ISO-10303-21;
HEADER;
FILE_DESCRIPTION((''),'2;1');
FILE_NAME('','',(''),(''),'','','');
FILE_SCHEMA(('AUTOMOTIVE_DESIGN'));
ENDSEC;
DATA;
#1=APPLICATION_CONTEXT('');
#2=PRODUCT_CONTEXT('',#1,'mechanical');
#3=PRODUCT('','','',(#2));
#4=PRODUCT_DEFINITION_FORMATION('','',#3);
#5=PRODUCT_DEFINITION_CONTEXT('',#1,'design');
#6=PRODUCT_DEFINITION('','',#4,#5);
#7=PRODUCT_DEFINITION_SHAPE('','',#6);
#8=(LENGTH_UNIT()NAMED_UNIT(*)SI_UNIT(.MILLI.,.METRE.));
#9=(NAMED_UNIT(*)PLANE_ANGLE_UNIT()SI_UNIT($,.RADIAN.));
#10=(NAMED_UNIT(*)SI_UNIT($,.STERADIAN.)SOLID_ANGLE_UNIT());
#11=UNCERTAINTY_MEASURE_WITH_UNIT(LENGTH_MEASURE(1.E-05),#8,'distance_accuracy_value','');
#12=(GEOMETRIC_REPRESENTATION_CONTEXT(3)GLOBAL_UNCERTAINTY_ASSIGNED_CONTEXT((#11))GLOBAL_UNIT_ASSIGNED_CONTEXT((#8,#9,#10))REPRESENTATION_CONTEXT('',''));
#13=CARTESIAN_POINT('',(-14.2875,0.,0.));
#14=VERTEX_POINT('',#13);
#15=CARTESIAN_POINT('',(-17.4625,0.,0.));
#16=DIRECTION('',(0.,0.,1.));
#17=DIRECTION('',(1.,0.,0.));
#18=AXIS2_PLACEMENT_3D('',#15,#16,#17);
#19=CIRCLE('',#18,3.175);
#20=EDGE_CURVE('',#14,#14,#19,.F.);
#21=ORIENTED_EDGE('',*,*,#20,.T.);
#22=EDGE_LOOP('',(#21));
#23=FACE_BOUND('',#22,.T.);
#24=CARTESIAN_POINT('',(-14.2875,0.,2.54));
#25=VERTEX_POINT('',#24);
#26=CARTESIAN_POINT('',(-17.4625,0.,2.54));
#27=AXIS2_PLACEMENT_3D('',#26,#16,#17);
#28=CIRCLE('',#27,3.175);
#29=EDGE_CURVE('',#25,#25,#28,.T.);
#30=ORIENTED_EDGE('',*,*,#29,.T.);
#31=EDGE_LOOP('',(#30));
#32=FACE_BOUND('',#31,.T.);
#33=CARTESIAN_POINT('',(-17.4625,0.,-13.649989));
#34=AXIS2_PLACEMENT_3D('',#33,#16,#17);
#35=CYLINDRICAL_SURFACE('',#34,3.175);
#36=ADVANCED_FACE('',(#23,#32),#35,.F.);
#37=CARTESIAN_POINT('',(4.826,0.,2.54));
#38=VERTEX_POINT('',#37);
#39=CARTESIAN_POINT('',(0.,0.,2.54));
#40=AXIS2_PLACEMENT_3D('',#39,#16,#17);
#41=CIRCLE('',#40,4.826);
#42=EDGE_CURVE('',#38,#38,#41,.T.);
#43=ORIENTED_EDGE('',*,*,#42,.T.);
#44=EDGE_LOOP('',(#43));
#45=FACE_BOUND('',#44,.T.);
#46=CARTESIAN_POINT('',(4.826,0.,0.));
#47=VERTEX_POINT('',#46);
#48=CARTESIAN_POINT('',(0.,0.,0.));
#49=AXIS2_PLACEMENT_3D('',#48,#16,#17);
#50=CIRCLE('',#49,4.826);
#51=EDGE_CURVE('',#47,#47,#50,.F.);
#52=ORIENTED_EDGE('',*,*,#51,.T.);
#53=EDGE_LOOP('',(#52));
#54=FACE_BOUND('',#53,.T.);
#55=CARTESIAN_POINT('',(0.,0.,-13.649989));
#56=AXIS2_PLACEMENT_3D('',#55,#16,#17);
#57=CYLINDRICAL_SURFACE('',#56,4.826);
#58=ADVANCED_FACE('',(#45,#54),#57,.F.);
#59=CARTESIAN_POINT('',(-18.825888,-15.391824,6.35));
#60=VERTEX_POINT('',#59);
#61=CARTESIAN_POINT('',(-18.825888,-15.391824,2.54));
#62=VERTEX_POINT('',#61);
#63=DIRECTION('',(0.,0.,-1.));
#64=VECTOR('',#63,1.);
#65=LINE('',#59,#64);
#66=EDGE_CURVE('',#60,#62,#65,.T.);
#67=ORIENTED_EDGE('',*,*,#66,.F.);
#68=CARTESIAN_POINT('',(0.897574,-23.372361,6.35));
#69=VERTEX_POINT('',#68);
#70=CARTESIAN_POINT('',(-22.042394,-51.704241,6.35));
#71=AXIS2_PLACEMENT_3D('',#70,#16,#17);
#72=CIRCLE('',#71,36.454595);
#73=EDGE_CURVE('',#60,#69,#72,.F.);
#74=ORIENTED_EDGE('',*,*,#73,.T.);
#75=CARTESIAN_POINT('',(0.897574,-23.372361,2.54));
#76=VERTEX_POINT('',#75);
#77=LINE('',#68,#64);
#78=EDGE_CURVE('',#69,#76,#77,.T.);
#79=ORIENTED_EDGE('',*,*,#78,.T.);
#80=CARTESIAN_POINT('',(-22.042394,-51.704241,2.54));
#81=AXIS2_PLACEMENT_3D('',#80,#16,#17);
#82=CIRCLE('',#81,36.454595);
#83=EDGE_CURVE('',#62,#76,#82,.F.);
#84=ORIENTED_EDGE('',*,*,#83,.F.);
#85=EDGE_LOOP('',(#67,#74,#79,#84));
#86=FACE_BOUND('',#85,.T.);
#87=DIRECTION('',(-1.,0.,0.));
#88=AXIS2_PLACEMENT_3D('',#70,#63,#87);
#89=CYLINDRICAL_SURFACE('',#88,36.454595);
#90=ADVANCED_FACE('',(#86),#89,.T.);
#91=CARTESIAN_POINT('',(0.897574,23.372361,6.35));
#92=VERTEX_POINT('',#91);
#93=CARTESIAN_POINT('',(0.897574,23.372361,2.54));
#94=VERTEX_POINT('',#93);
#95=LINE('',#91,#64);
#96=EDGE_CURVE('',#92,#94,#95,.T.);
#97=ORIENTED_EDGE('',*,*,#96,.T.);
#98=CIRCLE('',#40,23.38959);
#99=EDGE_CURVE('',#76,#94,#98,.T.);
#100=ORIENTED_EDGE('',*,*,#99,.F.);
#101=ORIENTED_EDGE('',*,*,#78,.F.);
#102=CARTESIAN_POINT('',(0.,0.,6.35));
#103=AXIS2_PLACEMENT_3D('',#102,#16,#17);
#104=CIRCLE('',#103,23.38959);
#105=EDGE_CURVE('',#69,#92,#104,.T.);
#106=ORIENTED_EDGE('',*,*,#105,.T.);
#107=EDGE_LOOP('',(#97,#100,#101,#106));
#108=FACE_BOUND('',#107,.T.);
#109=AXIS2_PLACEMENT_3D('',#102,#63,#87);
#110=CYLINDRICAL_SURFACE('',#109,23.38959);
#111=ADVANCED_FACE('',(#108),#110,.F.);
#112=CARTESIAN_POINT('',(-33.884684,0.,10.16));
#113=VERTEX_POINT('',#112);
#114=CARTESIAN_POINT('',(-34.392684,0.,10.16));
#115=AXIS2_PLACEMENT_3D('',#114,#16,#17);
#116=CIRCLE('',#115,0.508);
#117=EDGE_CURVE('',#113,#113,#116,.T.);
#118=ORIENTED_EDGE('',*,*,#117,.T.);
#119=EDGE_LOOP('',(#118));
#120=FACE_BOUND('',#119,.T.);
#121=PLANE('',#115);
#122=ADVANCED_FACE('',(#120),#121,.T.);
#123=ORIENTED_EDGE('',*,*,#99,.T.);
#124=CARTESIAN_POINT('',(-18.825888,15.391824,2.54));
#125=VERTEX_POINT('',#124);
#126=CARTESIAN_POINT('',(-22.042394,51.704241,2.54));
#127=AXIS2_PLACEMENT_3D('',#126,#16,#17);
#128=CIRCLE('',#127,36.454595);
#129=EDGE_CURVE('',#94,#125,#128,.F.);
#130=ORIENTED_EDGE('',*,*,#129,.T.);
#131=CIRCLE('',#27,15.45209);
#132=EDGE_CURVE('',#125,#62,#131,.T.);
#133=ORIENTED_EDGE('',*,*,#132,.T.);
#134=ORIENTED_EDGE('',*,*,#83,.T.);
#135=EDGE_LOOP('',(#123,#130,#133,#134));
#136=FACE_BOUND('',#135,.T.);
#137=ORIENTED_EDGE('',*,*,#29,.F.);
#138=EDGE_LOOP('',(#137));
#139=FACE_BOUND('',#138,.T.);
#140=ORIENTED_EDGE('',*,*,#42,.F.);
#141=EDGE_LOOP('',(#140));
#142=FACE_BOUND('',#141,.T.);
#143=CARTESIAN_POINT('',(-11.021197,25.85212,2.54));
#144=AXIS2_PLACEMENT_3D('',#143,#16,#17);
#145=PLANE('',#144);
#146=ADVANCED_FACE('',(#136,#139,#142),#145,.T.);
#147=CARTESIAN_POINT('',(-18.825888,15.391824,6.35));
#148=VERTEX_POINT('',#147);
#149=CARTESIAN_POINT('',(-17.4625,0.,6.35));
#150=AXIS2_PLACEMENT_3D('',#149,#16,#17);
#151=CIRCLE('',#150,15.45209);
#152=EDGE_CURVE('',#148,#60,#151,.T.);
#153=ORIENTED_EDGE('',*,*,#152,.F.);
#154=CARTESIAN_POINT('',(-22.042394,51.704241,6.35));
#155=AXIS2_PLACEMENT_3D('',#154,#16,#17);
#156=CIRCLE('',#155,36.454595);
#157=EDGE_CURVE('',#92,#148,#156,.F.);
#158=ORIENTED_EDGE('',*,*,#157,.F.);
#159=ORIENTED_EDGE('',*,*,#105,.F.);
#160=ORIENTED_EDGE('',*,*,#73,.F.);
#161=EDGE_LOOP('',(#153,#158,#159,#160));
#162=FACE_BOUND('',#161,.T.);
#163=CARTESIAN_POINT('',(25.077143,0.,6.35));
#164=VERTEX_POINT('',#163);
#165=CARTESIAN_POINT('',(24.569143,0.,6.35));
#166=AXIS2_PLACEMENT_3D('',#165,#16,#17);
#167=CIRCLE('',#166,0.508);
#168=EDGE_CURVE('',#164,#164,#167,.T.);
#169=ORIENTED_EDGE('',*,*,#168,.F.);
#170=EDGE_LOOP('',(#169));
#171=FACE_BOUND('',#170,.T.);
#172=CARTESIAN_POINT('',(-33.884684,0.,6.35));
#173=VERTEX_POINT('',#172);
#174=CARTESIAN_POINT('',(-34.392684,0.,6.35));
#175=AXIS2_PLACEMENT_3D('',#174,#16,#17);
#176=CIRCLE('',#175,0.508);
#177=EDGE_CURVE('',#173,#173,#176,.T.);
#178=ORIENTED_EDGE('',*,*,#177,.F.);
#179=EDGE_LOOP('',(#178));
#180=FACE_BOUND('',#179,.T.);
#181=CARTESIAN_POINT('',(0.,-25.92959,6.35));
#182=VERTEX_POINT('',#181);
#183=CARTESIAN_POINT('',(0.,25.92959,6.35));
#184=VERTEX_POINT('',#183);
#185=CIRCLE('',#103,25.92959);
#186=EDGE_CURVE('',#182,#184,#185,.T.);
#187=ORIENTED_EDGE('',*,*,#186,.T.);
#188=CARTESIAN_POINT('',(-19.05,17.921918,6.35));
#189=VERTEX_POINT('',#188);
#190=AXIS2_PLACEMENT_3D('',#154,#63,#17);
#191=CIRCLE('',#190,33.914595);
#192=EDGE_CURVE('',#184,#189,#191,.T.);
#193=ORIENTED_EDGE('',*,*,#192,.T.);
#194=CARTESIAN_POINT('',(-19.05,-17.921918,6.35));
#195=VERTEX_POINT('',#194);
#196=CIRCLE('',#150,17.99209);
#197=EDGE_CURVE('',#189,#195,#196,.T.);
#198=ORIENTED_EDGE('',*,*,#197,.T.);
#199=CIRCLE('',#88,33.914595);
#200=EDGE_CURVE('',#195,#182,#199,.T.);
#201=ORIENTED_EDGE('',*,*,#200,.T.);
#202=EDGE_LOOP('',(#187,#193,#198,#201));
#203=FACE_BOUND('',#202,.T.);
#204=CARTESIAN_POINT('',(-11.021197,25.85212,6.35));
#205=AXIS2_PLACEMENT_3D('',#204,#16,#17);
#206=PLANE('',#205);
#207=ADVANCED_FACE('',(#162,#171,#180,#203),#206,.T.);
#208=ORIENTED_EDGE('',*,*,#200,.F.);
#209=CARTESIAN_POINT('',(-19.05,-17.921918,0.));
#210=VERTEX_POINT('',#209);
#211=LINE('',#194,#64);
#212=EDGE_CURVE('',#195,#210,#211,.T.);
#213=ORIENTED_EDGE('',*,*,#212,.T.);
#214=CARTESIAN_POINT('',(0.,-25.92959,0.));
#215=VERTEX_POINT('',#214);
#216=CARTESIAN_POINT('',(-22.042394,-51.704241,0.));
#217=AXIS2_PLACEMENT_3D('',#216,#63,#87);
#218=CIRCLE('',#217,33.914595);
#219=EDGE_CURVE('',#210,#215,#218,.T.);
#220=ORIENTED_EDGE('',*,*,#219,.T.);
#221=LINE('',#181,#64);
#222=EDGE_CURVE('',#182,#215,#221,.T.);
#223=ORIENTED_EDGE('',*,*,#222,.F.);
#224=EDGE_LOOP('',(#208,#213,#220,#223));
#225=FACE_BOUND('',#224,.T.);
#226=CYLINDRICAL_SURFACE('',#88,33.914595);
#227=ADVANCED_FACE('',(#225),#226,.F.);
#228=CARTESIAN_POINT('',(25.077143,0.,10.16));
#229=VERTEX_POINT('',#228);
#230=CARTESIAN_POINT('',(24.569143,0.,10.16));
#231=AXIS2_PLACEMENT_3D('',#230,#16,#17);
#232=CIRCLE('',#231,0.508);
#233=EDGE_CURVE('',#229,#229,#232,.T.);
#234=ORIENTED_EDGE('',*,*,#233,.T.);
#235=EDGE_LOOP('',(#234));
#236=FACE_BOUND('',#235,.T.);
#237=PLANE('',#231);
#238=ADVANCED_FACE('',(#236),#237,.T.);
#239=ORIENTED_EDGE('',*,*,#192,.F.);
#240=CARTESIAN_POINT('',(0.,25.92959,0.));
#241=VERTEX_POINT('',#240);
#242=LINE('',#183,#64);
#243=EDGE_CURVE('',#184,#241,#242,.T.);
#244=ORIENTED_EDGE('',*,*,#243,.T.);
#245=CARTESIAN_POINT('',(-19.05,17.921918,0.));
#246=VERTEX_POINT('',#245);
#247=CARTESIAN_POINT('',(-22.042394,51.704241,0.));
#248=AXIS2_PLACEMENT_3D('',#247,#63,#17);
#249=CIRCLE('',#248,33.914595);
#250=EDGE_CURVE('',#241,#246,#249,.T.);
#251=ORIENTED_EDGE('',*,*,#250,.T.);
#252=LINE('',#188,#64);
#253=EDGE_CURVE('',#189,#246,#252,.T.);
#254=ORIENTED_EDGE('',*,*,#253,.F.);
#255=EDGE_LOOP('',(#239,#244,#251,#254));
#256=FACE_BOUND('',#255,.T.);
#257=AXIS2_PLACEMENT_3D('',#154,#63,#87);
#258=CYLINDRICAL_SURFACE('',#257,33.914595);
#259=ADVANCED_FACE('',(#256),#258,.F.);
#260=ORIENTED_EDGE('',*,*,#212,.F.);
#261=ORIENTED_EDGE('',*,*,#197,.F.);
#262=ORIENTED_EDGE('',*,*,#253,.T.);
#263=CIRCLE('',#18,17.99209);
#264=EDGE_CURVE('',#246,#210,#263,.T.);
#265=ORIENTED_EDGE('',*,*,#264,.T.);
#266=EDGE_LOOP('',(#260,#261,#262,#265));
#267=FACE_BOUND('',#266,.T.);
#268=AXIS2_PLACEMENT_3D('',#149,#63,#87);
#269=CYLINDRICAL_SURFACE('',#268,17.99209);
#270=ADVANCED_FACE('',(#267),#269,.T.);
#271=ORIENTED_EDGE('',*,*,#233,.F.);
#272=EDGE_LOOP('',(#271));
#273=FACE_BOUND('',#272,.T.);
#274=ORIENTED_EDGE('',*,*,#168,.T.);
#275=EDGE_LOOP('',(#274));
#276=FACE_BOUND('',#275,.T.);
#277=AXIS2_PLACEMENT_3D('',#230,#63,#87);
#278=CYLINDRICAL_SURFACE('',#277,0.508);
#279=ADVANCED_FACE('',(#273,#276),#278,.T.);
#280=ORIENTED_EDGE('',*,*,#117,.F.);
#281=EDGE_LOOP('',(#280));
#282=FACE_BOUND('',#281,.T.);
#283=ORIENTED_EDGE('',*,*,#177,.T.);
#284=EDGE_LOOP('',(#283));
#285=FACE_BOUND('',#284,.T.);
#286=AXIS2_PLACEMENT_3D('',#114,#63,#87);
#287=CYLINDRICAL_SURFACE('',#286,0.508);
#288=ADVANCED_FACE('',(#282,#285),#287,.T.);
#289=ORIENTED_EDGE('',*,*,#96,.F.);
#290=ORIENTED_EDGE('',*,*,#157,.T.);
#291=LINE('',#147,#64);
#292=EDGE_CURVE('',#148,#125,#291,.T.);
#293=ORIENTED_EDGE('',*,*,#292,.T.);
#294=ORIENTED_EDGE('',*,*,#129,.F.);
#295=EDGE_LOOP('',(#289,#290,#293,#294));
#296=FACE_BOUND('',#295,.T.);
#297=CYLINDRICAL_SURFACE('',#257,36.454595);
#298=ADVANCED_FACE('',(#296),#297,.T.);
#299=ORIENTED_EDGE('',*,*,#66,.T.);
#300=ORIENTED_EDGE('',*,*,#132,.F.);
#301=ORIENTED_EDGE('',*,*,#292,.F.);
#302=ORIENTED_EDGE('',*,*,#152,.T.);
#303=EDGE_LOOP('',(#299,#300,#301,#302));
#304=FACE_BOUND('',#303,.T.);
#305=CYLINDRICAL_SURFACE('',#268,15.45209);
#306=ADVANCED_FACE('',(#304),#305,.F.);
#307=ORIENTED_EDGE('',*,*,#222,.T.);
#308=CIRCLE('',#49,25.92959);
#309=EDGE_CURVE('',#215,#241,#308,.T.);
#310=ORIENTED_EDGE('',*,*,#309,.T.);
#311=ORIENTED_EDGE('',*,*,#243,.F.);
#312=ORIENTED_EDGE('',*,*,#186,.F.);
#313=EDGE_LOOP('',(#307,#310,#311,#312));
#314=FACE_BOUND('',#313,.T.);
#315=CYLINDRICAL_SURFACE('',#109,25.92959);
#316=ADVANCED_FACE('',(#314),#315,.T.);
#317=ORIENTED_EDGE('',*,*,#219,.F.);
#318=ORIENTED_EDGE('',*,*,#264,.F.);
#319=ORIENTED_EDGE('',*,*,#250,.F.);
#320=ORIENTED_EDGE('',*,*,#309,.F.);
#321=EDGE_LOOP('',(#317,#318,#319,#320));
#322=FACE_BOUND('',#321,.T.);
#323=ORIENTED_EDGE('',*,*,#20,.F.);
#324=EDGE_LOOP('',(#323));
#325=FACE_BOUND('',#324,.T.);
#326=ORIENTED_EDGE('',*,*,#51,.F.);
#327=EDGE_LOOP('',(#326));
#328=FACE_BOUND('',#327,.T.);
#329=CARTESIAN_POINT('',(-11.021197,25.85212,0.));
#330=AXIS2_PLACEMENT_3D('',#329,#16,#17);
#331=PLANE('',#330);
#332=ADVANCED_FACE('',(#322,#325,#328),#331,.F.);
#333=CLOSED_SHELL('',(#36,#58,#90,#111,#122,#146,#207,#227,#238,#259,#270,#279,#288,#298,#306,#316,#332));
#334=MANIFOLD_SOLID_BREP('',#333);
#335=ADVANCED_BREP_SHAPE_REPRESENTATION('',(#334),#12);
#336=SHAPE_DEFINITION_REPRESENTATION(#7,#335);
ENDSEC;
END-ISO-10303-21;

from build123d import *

# Parameters (mm, degrees)
BOSS_EXTRUDE1_DEPTH = 6.35
SHELL1_T            = -2.54
SKETCH2_R           = 0.508
BOSS_EXTRUDE2_DEPTH = 3.81
SKETCH3_R           = 4.826
SKETCH3_R_2         = 3.175
CUT_EXTRUDE1_DEPTH  = 2.54


with BuildPart() as part:
    # Sketch1 → Boss-Extrude1 (new body)
    with BuildSketch(Plane.XY):
        with BuildLine():
            ThreePointArc((0, -25.92959), (25.92959, 0), (0, 25.92959))
            ThreePointArc((0, 25.92959), (-8.900253562, 20.439501874), (-19.05, 17.921918042))
            ThreePointArc((-19.05, 17.921918042), (-35.45459, 0), (-19.05, -17.921918042))
            ThreePointArc((-19.05, -17.921918042), (-8.900253562, -20.439501874), (0, -25.92959))
        make_face()
    extrude(amount=BOSS_EXTRUDE1_DEPTH)

    # Shell1
    shell1_openings = [part.faces().sort_by_distance(p)[0] for p in [
        (-3.11409352, 0, 6.35),
    ]]
    offset(amount=SHELL1_T, openings=shell1_openings, kind=Kind.INTERSECTION)

    # Sketch2 → Boss-Extrude2 (add)
    with BuildSketch(Plane.XY.offset(6.35)):
        with Locations((-34.39268404, 0)):
            Circle(SKETCH2_R)
        with Locations((24.569143143, 0)):
            Circle(SKETCH2_R)
    extrude(amount=BOSS_EXTRUDE2_DEPTH)

    # Sketch3 → Cut-Extrude1 (cut)
    with BuildSketch(Plane.XY.offset(2.54)):
        Circle(SKETCH3_R)
        with Locations((-17.4625, 0)):
            Circle(SKETCH3_R_2)
    extrude(amount=-CUT_EXTRUDE1_DEPTH, mode=Mode.SUBTRACT)


solid = part.part
